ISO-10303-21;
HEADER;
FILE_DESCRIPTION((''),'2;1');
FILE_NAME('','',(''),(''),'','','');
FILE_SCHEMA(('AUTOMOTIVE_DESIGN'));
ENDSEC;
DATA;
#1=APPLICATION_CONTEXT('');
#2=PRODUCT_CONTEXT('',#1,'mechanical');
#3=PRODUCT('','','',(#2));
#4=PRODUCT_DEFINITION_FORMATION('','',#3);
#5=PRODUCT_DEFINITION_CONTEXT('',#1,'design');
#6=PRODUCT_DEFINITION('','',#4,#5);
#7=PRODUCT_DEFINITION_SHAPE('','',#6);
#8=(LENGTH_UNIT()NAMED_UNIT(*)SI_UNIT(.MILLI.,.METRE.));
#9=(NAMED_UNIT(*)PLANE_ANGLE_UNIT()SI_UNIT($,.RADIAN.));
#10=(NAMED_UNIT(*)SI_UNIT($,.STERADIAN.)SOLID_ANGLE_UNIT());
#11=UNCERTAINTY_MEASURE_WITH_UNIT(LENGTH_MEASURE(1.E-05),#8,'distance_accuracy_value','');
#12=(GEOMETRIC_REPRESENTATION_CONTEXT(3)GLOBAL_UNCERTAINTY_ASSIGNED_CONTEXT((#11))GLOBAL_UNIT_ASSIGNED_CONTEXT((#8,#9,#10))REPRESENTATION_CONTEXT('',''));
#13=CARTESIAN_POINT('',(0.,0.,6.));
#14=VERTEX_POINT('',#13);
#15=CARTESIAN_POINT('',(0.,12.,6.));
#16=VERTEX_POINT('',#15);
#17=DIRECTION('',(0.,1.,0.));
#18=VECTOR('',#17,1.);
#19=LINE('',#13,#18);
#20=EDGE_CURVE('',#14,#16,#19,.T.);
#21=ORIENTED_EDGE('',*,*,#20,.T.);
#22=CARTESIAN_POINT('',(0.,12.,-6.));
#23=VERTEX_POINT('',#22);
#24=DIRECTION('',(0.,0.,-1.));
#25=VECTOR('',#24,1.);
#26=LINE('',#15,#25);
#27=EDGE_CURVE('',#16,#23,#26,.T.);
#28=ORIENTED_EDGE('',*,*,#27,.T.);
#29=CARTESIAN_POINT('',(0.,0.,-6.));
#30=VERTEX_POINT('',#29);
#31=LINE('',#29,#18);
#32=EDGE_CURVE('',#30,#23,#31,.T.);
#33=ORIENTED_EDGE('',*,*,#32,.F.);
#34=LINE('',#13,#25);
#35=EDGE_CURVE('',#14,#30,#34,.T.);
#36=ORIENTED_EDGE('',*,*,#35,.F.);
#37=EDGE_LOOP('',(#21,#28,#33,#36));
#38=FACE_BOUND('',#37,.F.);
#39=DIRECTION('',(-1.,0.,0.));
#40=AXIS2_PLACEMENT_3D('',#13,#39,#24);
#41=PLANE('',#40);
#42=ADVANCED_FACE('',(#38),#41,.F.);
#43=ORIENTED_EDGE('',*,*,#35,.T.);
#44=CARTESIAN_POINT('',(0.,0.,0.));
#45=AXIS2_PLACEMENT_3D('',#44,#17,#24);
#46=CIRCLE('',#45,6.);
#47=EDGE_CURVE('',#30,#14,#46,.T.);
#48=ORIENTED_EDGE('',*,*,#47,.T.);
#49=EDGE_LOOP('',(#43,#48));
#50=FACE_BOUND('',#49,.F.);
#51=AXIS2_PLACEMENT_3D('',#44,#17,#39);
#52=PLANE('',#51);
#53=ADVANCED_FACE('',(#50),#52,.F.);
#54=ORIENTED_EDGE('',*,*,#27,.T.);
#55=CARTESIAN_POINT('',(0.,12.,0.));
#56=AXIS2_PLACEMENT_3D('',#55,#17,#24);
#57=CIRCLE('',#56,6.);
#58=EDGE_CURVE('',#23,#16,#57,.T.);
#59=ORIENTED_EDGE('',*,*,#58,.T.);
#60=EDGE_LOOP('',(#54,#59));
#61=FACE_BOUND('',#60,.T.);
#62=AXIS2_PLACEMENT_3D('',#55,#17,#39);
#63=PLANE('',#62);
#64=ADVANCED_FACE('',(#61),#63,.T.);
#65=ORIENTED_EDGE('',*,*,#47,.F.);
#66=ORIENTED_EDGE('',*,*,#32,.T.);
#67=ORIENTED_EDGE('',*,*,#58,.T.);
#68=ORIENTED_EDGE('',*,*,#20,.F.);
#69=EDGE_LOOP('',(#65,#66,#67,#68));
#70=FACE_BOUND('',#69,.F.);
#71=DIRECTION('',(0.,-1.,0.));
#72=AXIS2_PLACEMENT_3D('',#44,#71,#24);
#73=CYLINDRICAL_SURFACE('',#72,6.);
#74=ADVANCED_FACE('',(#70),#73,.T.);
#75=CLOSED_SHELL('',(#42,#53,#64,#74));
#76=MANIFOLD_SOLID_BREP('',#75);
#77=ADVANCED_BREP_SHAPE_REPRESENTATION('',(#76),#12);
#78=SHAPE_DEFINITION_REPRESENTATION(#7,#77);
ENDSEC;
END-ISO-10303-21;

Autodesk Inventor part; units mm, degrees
ref_plane "YZ Plane" through (0, 0, 0) normal (1, 0, 0) x (0, 1, 0)
ref_plane "XZ Plane" through (0, 0, 0) normal (0, 1, 0) x (-1, 0, 0)
ref_plane "XY Plane" through (0, 0, 0) normal (0, 0, 1) x (1, 0, 0)
sketch "Sketch1" plane through (0, 0, 0) normal (0, 1, 0) x (-1, 0, 0)
  arc A0 (0, -6) -> (0, 6) centre (0, 0) ccw
  line L0 (0, 6) -> (0, -6)
  dimension "d0" = 12
extrude "Extrusion1" add sketch "Sketch1" along normal blind 12
properties part number "12mm_radius_mold"
